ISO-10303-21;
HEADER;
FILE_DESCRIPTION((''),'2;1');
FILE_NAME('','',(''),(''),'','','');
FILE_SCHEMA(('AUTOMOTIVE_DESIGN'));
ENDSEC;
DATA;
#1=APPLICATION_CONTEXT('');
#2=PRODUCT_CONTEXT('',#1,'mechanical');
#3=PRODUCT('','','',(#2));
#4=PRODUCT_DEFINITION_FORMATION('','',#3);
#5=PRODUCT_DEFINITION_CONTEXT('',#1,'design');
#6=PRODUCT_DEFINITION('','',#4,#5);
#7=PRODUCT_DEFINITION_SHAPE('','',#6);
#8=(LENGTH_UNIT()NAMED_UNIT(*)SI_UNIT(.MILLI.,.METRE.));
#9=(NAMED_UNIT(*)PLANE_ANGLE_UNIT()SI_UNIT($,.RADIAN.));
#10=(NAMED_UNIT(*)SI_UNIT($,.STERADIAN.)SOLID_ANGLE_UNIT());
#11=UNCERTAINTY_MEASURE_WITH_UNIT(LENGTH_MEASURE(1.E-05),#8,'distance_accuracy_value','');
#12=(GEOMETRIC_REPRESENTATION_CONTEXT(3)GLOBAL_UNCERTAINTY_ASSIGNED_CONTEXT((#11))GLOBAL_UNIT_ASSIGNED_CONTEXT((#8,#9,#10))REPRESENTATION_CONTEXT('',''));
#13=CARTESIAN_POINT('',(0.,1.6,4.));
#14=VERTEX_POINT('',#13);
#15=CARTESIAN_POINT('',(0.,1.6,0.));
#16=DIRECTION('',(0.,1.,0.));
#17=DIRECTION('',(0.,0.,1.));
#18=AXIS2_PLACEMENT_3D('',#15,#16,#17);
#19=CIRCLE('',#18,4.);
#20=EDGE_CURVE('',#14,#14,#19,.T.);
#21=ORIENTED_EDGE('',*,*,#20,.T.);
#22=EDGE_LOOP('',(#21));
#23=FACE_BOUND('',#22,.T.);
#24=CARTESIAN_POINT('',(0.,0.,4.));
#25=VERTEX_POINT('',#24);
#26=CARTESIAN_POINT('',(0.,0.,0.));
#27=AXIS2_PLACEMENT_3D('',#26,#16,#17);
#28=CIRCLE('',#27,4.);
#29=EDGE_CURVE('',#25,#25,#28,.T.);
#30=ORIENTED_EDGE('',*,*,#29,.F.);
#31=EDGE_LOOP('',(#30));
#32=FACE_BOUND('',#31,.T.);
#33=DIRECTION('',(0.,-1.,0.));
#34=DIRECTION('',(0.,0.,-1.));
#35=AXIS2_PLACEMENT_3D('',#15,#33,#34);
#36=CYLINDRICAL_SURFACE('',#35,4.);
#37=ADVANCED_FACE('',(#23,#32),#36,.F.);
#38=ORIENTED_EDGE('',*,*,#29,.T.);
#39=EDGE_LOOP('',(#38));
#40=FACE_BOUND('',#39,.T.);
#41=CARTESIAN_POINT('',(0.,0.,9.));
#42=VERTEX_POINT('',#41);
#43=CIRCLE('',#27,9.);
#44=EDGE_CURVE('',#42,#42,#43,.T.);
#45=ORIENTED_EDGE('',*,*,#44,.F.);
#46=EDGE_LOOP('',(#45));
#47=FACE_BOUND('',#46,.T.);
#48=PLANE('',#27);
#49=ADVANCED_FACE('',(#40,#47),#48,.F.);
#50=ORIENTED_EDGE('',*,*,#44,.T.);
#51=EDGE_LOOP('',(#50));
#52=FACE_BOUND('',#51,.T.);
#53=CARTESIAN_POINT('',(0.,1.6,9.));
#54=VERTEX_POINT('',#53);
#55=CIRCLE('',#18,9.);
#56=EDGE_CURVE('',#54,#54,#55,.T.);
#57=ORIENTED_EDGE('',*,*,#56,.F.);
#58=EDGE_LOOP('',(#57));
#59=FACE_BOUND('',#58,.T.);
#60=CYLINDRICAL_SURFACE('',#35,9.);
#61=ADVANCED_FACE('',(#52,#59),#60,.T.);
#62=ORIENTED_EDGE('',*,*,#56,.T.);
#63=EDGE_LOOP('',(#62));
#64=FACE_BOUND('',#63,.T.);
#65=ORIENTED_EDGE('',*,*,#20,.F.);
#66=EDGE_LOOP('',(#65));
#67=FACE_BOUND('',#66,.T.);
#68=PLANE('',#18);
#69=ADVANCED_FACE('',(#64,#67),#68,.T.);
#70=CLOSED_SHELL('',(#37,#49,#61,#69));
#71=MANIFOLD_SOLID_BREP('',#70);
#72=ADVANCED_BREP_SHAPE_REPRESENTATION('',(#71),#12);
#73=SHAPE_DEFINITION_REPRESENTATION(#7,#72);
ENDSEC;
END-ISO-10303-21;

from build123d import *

# Parameters (mm, degrees)
SKETCH_1_R      = 9
SKETCH_1_R_2    = 4
EXTRUDE_1_DEPTH = 1.6


with BuildPart() as part:
    # ｽｹｯﾁ1 → ﾎﾞｽ - 押し出し1 (new body)
    with BuildSketch(Plane(origin=(0, 0, 0), x_dir=(1, 0, 0), z_dir=(0, 1, 0))):
        with Locations(Location((0, 0, 0), (0, 0, 270))):
            Circle(SKETCH_1_R)
        with Locations(Location((0, 0, 0), (0, 0, 270))):
            Circle(SKETCH_1_R_2, mode=Mode.SUBTRACT)
    extrude(amount=EXTRUDE_1_DEPTH)


solid = part.part
